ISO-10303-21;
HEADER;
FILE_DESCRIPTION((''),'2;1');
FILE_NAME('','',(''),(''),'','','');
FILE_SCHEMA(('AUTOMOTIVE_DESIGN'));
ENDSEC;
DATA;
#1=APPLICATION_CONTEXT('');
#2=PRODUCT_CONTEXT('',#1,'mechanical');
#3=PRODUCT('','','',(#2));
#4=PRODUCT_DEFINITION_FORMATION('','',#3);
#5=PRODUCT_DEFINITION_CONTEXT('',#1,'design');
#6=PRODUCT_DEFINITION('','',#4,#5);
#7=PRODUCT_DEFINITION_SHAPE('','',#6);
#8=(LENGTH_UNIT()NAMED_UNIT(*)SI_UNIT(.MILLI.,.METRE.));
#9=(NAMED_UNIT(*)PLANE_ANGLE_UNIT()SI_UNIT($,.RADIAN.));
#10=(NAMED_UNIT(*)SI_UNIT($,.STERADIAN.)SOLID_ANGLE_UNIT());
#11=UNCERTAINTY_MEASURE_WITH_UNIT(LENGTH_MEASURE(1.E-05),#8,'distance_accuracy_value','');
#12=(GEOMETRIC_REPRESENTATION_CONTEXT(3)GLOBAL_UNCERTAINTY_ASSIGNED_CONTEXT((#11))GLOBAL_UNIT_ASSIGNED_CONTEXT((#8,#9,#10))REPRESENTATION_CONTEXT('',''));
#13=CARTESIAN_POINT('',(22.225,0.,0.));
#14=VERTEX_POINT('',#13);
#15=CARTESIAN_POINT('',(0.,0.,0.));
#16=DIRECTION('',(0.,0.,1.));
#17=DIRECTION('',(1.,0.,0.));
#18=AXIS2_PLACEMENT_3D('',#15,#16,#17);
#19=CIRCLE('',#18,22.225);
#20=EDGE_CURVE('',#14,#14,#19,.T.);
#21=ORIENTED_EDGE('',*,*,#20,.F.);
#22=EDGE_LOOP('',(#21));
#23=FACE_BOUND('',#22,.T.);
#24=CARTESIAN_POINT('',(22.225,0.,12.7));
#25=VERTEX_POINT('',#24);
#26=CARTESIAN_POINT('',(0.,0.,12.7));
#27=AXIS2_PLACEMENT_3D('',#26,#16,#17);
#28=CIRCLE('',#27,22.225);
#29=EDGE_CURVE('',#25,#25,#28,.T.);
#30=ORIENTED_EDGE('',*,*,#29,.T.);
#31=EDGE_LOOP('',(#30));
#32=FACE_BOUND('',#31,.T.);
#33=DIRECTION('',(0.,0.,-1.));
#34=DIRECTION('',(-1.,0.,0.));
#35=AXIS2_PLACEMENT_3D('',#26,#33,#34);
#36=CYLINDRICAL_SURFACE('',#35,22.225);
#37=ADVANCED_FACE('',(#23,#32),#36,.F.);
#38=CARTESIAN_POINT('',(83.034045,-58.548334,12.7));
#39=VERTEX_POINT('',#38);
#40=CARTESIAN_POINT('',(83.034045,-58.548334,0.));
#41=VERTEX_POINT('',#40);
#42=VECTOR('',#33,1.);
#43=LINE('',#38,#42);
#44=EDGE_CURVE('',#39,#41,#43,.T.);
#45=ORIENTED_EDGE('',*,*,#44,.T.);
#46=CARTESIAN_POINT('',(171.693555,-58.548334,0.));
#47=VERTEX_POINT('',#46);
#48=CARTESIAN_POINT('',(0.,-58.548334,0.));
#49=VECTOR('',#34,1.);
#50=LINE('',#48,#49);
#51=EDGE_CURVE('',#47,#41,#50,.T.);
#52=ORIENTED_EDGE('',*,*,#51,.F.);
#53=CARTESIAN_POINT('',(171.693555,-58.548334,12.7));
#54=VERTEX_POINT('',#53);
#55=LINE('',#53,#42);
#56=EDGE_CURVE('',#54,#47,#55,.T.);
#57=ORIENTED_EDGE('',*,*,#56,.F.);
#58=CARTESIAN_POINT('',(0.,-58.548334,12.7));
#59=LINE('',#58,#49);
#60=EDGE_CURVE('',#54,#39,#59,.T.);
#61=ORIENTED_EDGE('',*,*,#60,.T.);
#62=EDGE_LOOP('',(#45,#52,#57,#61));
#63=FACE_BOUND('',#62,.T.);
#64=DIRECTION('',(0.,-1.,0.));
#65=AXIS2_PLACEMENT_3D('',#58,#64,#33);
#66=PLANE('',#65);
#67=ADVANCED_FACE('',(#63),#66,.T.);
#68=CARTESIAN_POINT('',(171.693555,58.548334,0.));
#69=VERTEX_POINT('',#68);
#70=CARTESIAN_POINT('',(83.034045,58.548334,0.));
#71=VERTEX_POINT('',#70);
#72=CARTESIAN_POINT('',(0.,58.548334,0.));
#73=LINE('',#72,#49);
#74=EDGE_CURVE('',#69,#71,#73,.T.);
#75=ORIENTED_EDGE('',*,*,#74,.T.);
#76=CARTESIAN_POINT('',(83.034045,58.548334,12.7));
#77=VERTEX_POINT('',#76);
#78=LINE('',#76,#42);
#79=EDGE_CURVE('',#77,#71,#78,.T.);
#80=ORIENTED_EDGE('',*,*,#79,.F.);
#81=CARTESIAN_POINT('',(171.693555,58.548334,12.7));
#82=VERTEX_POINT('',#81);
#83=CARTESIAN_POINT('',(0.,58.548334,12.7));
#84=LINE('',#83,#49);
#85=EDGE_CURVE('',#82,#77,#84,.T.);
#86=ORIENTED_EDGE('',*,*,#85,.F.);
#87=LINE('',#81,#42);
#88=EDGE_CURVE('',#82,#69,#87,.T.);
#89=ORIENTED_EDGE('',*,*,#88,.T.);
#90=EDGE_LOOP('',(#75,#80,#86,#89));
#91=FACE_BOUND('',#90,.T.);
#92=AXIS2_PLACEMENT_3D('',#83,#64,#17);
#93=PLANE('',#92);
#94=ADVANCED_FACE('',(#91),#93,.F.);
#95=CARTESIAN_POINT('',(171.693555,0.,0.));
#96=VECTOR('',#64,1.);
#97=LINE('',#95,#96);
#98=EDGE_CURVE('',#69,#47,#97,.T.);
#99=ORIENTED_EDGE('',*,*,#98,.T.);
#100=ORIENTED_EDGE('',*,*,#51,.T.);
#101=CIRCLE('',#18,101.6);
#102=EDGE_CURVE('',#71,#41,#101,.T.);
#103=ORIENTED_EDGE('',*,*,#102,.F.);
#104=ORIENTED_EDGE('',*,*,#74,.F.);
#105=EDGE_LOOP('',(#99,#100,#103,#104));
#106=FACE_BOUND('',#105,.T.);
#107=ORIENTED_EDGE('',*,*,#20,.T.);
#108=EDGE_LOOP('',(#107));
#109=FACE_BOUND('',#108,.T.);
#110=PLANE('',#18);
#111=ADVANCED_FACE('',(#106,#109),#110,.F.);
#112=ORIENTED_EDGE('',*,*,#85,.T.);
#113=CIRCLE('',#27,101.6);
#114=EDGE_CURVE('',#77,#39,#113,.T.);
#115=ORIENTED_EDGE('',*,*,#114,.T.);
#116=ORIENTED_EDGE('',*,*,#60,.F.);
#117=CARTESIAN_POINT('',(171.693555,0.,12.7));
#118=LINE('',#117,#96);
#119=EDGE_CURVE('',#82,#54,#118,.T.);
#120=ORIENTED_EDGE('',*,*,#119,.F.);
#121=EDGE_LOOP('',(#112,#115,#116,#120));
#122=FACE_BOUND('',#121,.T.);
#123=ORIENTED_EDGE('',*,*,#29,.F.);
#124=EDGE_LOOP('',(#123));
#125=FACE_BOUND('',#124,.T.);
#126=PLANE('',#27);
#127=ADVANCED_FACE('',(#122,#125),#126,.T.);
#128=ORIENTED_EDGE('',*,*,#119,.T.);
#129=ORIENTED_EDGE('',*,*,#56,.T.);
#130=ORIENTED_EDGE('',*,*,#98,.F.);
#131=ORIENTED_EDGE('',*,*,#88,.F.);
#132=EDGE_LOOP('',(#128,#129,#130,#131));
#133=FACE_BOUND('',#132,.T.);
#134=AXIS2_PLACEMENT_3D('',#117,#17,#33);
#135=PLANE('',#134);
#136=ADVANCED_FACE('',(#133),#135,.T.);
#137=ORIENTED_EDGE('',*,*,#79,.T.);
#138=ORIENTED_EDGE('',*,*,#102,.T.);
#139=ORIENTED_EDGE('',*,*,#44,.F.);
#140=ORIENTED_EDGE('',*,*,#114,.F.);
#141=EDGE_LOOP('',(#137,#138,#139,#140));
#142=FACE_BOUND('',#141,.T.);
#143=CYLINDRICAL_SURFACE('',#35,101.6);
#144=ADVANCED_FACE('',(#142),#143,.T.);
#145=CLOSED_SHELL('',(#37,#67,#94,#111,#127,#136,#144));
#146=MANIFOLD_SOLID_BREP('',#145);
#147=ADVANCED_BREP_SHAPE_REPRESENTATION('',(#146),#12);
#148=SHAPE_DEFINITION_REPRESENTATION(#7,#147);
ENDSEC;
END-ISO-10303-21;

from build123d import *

# Parameters (mm, degrees)
SKETCH1_R           = 101.6
SKETCH1_R_2         = 22.225
SKETCH1_W           = 88.659510459
SKETCH1_H           = 117.09666856
BOSS_EXTRUDE1_DEPTH = 12.7


with BuildPart() as part:
    # Sketch1 → Boss-Extrude1 (new body)
    with BuildSketch(Plane.XY):
        Circle(SKETCH1_R)
        Circle(SKETCH1_R_2, mode=Mode.SUBTRACT)
        with Locations((127.363799772, 0)):
            Rectangle(SKETCH1_W, SKETCH1_H)
    extrude(amount=BOSS_EXTRUDE1_DEPTH)


solid = part.part
